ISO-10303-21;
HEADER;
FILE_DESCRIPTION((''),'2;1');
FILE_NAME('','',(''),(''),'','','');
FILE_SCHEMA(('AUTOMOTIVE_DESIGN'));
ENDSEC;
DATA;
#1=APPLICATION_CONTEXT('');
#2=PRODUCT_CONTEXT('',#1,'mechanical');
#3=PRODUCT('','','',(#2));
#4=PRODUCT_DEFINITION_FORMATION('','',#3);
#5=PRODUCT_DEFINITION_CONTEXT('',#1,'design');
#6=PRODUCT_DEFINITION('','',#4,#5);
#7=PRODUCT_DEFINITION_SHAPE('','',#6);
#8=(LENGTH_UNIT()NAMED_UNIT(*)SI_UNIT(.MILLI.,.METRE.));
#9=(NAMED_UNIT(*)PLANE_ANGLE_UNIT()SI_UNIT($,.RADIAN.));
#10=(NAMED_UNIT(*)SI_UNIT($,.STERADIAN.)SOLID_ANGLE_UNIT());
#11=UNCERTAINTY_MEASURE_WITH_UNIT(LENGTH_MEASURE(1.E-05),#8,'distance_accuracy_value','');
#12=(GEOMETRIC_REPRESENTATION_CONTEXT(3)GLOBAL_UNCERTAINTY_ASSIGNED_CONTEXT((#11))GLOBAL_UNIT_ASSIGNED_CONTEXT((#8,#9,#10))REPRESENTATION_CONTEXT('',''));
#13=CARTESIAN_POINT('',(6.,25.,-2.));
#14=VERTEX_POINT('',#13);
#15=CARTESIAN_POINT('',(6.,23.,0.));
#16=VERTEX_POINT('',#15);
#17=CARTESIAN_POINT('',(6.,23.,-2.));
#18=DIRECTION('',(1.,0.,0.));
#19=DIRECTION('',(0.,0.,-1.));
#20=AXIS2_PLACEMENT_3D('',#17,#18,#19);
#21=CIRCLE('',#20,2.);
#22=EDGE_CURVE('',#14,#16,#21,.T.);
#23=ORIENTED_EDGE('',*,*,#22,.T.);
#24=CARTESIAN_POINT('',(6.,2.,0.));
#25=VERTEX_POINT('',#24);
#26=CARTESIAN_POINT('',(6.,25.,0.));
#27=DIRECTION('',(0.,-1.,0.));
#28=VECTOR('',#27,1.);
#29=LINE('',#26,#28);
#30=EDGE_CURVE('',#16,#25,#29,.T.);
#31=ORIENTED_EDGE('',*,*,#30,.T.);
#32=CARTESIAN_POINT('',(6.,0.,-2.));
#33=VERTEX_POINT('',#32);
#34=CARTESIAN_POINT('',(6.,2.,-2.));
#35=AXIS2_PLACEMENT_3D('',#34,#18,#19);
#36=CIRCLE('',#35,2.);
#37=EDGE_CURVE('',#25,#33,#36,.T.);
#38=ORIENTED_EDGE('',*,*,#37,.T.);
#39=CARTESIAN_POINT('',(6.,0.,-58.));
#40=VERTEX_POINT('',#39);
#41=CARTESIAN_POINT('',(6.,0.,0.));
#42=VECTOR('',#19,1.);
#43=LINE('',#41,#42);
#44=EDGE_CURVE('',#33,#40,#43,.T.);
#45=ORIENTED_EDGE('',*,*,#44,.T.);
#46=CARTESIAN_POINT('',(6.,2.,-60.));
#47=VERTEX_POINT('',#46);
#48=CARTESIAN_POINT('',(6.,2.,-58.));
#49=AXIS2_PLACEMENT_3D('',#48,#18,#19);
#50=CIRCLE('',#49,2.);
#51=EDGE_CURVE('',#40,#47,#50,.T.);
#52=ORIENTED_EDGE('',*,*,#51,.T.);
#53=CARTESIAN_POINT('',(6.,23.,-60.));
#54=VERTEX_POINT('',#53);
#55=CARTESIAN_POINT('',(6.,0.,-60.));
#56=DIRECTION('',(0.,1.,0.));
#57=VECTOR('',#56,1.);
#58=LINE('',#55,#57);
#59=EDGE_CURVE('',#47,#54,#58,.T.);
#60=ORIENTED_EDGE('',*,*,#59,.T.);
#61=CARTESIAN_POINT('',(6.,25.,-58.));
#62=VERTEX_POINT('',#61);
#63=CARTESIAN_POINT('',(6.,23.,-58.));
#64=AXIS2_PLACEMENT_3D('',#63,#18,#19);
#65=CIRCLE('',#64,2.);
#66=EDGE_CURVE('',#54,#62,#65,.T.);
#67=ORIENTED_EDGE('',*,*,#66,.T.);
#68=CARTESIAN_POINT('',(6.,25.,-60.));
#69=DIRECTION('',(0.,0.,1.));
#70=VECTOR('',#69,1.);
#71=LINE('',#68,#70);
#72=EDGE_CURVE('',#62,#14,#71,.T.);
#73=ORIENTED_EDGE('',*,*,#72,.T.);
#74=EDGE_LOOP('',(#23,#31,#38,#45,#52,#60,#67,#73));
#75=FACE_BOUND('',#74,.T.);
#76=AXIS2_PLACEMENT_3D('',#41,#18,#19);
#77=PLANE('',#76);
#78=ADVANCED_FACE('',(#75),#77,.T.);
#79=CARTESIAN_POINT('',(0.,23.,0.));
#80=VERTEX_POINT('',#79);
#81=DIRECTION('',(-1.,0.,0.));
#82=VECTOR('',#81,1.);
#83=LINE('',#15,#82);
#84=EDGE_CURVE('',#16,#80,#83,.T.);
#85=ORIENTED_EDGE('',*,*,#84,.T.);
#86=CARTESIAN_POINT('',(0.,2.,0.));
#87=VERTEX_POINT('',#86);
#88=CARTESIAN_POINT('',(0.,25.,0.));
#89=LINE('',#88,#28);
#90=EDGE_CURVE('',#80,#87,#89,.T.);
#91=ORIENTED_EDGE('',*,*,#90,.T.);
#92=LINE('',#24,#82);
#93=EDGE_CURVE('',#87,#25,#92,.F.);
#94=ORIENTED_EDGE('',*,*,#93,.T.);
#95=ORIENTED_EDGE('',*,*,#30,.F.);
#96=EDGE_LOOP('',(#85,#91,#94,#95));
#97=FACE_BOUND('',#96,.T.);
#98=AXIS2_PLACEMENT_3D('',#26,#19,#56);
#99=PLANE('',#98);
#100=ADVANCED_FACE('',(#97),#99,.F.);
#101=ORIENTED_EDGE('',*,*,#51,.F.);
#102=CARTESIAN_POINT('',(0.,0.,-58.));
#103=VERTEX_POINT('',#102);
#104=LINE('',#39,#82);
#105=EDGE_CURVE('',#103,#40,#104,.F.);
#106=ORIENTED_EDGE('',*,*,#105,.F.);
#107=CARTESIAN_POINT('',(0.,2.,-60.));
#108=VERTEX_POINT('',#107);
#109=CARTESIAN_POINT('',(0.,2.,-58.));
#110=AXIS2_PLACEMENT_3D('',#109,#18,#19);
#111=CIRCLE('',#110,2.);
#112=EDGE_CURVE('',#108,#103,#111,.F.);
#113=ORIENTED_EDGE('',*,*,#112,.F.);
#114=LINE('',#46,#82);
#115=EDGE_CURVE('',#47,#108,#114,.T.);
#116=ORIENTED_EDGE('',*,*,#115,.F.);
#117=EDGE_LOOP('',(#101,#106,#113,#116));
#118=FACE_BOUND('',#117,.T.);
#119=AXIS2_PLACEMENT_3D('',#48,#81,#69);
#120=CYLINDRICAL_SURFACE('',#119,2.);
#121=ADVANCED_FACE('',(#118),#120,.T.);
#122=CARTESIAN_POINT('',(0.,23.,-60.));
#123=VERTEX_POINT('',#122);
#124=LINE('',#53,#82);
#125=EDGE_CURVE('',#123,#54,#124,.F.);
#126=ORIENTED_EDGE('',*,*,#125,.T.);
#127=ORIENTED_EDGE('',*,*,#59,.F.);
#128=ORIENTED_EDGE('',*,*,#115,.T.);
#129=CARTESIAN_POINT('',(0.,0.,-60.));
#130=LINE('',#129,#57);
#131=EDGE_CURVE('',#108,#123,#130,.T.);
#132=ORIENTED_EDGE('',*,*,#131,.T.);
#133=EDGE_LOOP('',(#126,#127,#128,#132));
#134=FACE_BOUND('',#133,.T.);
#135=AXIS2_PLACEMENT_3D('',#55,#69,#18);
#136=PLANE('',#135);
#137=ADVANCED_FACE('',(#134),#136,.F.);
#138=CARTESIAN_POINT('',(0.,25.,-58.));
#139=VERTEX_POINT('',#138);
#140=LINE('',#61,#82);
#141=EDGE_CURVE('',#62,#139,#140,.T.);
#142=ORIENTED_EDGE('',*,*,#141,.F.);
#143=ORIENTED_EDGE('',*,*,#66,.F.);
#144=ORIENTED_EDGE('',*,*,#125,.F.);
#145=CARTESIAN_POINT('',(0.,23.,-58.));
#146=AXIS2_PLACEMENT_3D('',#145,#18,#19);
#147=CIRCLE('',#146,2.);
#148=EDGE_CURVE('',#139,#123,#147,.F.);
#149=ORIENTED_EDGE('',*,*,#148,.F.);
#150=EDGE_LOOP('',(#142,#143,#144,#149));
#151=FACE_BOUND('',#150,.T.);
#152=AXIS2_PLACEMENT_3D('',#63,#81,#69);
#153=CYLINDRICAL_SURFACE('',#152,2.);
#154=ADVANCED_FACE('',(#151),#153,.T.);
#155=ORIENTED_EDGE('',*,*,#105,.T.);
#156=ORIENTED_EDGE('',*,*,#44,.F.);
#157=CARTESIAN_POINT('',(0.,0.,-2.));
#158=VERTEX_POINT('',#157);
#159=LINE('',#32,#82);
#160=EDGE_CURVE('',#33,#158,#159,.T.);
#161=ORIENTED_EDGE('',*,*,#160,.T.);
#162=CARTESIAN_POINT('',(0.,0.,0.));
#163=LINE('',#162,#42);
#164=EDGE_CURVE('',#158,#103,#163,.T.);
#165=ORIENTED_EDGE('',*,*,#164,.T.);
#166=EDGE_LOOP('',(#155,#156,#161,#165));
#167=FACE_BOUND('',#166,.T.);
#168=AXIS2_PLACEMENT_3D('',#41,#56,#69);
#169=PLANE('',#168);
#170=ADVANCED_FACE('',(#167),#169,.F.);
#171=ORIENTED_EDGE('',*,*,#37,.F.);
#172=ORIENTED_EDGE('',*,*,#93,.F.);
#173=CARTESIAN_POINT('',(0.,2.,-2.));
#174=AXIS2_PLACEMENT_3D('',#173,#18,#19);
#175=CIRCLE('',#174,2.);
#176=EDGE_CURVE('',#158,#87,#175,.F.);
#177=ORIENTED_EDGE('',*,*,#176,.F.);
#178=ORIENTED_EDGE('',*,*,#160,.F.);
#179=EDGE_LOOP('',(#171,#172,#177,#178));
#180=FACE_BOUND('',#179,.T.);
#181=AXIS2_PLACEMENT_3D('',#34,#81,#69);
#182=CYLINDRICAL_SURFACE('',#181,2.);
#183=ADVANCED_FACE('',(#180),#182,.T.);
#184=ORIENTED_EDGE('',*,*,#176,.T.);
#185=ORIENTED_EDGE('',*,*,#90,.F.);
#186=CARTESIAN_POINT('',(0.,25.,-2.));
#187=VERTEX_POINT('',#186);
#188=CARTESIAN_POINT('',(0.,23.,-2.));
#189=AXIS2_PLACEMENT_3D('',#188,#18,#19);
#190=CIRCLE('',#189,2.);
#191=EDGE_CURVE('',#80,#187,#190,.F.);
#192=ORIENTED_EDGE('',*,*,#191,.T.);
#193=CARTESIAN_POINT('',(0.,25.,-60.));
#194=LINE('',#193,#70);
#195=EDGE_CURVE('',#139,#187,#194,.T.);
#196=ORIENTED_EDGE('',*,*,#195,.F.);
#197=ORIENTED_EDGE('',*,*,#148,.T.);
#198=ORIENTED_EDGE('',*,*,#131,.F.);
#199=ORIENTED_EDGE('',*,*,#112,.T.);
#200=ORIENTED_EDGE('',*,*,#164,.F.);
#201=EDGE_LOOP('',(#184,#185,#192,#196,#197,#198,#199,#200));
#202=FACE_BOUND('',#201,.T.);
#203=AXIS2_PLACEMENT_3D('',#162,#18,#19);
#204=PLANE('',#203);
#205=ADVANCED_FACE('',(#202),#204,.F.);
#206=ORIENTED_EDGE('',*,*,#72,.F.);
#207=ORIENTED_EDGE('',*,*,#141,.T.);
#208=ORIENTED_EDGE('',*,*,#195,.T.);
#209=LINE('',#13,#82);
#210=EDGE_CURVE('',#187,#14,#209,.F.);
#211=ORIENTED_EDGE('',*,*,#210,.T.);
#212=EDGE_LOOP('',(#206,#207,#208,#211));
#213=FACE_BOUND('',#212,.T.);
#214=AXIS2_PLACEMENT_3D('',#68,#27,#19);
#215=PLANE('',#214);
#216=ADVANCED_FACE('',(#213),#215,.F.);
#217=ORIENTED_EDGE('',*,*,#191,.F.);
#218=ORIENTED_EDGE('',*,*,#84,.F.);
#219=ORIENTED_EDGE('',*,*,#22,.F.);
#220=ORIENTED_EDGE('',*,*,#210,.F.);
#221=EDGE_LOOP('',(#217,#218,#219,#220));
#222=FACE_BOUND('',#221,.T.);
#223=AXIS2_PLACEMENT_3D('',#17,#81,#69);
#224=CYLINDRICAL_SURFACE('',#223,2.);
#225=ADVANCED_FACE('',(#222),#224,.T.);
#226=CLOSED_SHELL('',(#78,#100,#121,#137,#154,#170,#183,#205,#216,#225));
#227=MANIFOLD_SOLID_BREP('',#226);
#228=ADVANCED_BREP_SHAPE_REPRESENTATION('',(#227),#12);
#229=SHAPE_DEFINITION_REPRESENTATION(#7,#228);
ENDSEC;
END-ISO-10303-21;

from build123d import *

# Parameters (mm, degrees)
SKETCH1_W           = 60
SKETCH1_H           = 25
BOSS_EXTRUDE1_DEPTH = 6
FILLET1_R           = 2


with BuildPart() as part:
    # Sketch1 → Boss-Extrude1 (new body)
    with BuildSketch(Plane(origin=(0, 0, 0), x_dir=(0, 0, -1), z_dir=(1, 0, 0))):
        with Locations((30, 12.5)):
            Rectangle(SKETCH1_W, SKETCH1_H)
    extrude(amount=BOSS_EXTRUDE1_DEPTH)

    # Fillet1
    fillet1_edges = [part.edges().sort_by_distance(p)[0] for p in [
        (3, 25, 0),
        (3, 25, -60),
        (3, 0, -60),
        (3, 0, 0),
    ]]
    fillet(fillet1_edges, radius=FILLET1_R)


solid = part.part
